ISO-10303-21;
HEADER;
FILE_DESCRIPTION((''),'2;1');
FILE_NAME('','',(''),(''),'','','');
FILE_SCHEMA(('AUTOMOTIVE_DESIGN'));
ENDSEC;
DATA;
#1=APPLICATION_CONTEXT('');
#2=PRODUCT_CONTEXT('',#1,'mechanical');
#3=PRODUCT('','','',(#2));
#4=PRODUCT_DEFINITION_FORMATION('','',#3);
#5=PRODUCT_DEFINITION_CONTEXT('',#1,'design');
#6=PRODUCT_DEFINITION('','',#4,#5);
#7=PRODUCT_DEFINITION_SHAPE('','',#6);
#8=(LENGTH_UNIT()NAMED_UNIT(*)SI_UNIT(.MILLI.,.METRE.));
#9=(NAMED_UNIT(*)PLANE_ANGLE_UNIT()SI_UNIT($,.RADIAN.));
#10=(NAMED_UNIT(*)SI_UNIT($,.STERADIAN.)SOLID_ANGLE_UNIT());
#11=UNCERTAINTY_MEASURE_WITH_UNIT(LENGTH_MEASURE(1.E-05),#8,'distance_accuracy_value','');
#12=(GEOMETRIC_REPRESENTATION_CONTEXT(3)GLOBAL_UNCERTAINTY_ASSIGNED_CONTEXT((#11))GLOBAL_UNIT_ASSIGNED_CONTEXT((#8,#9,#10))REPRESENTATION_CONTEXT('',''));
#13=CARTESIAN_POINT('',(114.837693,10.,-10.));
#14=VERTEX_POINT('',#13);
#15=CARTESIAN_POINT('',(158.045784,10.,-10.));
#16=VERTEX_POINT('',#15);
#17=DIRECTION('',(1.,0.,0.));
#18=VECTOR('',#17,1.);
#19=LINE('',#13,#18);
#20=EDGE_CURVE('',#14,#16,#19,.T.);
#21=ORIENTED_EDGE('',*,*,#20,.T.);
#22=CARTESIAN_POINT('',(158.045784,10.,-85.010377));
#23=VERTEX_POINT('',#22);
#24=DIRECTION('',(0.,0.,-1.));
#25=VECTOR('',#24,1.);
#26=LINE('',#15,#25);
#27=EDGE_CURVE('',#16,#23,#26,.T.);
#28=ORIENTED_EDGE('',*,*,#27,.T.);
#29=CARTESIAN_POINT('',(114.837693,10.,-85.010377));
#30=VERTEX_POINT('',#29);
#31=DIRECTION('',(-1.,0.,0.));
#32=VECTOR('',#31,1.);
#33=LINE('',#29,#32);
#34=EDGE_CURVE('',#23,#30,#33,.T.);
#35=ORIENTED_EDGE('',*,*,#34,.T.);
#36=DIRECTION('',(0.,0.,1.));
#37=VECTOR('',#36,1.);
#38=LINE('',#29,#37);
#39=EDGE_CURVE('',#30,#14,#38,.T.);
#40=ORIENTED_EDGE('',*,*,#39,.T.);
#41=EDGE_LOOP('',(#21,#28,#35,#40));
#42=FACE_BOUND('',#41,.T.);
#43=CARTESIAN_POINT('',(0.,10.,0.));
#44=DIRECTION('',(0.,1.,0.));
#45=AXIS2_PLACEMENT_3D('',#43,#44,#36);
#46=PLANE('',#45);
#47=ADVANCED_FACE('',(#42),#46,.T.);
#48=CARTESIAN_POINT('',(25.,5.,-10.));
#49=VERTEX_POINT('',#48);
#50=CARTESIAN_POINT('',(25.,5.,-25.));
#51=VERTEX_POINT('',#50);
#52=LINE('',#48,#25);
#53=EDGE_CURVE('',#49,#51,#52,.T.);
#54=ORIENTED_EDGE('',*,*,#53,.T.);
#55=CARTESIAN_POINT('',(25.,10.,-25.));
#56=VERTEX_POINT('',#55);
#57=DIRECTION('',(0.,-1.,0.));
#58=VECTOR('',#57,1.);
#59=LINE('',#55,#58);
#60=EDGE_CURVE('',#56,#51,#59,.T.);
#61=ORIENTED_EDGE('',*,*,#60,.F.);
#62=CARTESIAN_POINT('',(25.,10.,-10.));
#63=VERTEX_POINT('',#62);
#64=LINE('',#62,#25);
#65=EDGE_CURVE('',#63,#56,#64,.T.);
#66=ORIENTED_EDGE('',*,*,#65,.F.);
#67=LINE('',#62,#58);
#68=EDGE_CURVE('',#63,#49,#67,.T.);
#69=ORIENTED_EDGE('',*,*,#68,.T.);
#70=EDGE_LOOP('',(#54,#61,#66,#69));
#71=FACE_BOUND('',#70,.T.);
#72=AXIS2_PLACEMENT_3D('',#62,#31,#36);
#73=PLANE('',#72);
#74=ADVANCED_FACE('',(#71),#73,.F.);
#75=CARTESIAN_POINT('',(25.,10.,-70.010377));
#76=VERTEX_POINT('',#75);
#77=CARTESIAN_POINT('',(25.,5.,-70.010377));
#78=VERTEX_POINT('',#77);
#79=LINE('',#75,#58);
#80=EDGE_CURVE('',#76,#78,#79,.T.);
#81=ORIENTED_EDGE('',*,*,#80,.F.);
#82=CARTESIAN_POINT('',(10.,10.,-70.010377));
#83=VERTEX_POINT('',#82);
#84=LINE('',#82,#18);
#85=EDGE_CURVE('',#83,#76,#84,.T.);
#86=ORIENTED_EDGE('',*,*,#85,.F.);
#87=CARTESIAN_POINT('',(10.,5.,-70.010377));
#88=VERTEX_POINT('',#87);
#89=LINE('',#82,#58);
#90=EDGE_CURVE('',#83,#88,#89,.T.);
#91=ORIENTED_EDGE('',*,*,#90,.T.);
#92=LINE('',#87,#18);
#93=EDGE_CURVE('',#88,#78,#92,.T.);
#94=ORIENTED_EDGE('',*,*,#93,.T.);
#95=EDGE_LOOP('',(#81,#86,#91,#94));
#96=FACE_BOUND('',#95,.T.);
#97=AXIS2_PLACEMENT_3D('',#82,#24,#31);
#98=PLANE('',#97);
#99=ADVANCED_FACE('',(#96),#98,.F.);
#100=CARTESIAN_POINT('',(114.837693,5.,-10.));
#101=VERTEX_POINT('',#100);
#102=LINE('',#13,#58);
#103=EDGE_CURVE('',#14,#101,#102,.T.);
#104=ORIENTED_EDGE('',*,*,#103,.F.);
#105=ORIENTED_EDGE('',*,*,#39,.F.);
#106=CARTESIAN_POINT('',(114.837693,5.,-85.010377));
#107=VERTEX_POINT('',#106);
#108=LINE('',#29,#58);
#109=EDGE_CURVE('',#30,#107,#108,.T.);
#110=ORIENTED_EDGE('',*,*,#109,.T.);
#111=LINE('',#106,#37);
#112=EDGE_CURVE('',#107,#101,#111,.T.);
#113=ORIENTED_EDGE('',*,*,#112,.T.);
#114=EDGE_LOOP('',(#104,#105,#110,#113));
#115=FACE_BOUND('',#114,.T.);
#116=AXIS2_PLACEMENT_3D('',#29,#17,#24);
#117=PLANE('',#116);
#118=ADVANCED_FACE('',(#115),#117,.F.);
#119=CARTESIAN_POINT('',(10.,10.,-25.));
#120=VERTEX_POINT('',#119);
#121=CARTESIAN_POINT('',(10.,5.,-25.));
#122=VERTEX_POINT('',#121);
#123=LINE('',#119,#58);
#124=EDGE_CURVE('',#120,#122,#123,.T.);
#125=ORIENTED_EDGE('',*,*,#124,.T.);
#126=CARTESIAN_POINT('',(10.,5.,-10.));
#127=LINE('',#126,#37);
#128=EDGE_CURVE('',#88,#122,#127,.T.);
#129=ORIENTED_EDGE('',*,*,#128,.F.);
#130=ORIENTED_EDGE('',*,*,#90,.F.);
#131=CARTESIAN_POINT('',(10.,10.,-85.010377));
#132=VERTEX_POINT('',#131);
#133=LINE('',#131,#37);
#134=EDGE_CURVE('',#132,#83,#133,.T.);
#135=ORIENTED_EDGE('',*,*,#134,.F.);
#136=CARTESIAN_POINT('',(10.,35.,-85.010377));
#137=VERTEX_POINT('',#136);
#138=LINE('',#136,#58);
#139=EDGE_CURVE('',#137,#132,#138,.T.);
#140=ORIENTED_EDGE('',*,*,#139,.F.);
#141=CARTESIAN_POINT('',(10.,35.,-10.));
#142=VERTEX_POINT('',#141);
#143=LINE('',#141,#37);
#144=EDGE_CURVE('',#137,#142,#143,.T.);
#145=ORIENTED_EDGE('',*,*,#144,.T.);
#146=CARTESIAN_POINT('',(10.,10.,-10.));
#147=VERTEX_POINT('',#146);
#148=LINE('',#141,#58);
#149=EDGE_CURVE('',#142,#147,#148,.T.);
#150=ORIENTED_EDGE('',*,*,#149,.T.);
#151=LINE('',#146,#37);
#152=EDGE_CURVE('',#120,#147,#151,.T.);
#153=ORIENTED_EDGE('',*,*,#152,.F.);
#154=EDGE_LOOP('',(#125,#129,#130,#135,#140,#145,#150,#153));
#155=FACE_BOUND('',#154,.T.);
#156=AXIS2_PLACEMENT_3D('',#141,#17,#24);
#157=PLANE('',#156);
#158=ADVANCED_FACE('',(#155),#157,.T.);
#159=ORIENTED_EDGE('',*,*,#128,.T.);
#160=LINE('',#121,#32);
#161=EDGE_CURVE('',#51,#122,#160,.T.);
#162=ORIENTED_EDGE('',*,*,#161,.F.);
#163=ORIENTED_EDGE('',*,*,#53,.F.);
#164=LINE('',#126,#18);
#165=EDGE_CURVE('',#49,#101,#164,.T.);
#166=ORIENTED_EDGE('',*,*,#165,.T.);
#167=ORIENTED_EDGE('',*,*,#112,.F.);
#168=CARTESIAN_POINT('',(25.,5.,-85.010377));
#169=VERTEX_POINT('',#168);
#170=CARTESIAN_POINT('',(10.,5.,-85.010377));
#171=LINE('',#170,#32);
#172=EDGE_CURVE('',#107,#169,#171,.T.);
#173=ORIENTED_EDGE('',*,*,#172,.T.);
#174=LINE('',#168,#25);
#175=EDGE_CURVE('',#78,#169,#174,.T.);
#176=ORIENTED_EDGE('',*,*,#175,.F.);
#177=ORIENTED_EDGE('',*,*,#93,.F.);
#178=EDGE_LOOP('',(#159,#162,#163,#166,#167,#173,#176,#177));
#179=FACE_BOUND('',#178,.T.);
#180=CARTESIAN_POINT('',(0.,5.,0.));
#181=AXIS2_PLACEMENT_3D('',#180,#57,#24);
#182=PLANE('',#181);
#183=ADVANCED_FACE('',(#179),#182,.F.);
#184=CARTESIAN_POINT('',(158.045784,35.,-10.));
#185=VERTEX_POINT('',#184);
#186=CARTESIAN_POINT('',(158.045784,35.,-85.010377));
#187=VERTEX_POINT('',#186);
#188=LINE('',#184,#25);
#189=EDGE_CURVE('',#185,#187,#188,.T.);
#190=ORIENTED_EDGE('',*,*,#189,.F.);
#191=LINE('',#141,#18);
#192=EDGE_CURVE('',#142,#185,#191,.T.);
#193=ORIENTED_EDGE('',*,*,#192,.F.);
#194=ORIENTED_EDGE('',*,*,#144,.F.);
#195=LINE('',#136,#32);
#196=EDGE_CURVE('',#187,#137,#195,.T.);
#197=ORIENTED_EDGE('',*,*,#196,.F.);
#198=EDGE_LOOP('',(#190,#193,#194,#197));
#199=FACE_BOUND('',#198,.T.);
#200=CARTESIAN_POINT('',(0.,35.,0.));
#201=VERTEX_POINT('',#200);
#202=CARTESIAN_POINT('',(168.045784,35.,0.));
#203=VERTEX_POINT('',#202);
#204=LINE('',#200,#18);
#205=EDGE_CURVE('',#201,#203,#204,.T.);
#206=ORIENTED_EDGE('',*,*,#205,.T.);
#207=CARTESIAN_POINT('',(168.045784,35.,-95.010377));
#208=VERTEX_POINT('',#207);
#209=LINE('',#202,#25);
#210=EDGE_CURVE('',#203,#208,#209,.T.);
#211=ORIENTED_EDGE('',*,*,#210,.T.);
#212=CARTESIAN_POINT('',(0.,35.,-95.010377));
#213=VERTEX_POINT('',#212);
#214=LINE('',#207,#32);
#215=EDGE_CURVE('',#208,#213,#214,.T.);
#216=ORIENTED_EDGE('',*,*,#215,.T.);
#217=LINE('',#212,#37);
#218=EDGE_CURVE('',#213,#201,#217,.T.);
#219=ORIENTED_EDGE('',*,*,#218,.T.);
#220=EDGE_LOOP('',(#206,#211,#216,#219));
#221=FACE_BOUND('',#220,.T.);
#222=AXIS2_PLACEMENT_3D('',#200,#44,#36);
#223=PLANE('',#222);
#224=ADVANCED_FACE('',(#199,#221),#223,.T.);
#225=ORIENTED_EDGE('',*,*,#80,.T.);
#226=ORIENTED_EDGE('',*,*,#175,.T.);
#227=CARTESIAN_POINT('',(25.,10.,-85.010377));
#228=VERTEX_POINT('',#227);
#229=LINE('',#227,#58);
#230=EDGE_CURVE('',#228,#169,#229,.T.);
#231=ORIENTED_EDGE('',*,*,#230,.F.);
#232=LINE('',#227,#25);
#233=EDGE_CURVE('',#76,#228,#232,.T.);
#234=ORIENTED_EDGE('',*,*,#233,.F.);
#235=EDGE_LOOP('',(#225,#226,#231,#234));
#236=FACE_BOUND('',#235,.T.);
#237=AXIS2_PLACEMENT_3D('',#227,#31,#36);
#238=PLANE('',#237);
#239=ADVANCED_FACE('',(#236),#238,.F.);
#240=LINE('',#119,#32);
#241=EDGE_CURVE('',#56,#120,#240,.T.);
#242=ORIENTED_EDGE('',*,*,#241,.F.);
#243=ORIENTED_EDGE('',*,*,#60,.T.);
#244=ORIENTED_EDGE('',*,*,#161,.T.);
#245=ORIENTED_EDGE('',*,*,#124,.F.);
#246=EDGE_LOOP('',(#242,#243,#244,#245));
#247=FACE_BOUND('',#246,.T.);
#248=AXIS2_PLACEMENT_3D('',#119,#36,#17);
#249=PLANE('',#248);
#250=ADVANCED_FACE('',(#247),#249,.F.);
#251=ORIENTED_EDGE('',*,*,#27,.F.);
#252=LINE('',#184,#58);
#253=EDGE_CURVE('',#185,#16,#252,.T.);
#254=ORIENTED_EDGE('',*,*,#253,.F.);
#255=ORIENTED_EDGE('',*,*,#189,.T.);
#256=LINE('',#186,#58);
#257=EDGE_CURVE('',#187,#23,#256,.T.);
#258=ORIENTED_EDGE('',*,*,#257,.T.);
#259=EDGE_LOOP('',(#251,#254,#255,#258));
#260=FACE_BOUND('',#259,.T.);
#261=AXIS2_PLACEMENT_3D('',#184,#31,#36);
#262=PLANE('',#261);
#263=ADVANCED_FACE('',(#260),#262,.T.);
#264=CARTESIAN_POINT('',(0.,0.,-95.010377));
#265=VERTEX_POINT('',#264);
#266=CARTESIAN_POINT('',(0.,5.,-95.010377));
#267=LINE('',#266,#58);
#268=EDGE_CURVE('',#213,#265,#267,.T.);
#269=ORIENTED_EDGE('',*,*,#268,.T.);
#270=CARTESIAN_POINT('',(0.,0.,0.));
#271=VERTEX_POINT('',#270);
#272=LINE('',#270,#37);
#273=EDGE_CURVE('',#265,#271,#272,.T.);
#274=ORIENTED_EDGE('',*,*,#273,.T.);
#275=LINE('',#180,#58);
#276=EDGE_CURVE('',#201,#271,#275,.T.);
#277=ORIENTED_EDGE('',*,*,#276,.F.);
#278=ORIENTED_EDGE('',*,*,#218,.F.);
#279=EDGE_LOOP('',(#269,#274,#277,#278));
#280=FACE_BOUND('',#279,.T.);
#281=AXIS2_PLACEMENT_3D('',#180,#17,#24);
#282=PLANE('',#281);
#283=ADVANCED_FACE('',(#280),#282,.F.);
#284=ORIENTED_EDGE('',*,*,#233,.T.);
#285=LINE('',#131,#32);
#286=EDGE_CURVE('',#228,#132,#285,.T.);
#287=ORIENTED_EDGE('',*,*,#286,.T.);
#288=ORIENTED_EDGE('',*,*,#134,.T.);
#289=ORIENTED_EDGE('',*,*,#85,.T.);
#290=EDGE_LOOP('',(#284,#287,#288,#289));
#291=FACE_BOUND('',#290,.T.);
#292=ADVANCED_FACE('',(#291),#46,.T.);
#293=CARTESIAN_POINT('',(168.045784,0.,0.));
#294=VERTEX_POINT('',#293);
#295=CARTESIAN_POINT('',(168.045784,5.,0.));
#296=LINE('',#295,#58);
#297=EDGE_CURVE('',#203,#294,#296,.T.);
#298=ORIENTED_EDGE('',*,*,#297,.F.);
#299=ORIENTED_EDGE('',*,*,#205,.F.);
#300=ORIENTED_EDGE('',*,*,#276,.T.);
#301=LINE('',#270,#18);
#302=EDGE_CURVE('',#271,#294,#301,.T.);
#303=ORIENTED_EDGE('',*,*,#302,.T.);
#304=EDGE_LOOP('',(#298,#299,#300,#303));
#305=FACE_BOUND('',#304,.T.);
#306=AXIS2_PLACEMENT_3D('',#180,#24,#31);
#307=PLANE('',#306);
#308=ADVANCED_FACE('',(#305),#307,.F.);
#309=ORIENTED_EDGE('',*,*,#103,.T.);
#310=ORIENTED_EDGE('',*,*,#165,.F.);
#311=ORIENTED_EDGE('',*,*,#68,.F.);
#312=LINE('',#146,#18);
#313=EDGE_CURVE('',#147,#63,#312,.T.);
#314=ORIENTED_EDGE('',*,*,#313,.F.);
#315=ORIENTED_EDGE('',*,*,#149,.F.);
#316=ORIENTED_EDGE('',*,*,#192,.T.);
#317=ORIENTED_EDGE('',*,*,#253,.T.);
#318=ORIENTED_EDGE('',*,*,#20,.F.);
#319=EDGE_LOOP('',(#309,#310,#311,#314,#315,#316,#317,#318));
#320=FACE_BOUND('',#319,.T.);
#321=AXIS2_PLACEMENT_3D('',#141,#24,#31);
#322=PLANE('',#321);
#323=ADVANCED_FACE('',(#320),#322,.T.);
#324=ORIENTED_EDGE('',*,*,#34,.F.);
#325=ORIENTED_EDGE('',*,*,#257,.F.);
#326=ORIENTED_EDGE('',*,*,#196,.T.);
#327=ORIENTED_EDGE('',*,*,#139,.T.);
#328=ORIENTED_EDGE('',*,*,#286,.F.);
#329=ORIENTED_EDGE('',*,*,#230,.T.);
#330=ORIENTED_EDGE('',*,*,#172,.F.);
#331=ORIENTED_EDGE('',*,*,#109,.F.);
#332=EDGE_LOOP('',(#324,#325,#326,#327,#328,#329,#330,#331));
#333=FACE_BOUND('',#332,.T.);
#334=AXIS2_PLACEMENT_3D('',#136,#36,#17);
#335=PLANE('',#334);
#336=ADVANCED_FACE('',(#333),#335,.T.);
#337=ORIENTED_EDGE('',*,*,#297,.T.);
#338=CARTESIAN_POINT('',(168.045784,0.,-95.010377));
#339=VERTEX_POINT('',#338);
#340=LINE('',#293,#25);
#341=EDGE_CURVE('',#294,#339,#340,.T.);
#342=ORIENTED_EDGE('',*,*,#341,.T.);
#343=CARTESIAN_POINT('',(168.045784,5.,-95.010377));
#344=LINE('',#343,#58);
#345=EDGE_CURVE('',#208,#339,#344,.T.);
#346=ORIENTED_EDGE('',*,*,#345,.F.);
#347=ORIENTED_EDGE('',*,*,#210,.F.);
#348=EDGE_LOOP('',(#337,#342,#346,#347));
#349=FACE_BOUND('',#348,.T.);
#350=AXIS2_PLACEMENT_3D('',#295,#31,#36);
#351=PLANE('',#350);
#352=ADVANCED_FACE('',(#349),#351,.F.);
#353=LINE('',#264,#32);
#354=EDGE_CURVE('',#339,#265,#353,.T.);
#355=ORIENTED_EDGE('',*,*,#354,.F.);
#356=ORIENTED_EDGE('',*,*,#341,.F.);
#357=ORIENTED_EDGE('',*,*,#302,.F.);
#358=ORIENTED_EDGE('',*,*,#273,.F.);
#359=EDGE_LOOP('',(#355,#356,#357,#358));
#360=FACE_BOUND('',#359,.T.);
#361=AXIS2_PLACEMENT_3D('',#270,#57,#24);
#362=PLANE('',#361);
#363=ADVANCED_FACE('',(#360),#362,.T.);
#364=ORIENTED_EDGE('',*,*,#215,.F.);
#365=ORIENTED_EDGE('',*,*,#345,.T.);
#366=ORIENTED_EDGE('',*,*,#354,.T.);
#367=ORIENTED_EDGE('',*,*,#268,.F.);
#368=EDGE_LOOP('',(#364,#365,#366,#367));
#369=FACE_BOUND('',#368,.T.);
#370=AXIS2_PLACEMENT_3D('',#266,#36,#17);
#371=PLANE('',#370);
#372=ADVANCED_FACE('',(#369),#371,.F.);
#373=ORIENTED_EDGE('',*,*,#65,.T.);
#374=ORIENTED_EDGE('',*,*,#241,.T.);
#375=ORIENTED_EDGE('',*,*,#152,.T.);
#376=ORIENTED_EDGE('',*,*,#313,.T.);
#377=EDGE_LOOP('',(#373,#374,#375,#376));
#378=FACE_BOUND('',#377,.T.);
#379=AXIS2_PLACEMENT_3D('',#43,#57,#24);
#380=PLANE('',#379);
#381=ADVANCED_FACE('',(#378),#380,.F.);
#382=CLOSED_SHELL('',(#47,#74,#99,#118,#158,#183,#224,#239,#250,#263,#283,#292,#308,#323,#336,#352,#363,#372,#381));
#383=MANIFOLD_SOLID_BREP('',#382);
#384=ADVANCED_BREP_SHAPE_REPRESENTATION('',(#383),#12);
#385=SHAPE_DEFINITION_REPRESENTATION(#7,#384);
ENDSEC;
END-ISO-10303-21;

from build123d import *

# Parameters (mm, degrees)
SKETCH1_W           = 168.045783506
SKETCH1_H           = 95.010377358
BOSS_EXTRUDE1_DEPTH = 5
SKETCH2_W           = 168.045783506
SKETCH2_H           = 95.010377358
SKETCH2_W_2         = 148.045783506
SKETCH2_H_2         = 75.010377358
BOSS_EXTRUDE2_DEPTH = 30
SKETCH3_W           = 15
SKETCH3_H           = 15
SKETCH3_W_2         = 43.208090913
SKETCH3_H_2         = 75.010377358
BOSS_EXTRUDE3_DEPTH = 5


with BuildPart() as part:
    # Sketch1 → Boss-Extrude1 (new body)
    with BuildSketch(Plane(origin=(0, 0, 0), x_dir=(1, 0, 0), z_dir=(0, 1, 0))):
        with Locations((84.022891753, 47.505188679)):
            Rectangle(SKETCH1_W, SKETCH1_H)
    extrude(amount=BOSS_EXTRUDE1_DEPTH)

    # Sketch2 → Boss-Extrude2 (add)
    with BuildSketch(Plane(origin=(0, 5, 0), x_dir=(1, 0, 0), z_dir=(0, 1, 0))):
        with Locations((84.022891753, 47.505188679)):
            Rectangle(SKETCH2_W, SKETCH2_H)
        with Locations((84.022891753, 47.505188679)):
            Rectangle(SKETCH2_W_2, SKETCH2_H_2, mode=Mode.SUBTRACT)
    extrude(amount=BOSS_EXTRUDE2_DEPTH)

    # Sketch3 → Boss-Extrude3 (add)
    with BuildSketch(Plane(origin=(0, 5, 0), x_dir=(1, 0, 0), z_dir=(0, 1, 0))):
        with Locations((17.5, 77.510377358)):
            Rectangle(SKETCH3_W, SKETCH3_H)
        with Locations((17.5, 17.5)):
            Rectangle(SKETCH3_W, SKETCH3_H)
        with Locations((136.44173805, 47.505188679)):
            Rectangle(SKETCH3_W_2, SKETCH3_H_2)
    extrude(amount=BOSS_EXTRUDE3_DEPTH)


solid = part.part
